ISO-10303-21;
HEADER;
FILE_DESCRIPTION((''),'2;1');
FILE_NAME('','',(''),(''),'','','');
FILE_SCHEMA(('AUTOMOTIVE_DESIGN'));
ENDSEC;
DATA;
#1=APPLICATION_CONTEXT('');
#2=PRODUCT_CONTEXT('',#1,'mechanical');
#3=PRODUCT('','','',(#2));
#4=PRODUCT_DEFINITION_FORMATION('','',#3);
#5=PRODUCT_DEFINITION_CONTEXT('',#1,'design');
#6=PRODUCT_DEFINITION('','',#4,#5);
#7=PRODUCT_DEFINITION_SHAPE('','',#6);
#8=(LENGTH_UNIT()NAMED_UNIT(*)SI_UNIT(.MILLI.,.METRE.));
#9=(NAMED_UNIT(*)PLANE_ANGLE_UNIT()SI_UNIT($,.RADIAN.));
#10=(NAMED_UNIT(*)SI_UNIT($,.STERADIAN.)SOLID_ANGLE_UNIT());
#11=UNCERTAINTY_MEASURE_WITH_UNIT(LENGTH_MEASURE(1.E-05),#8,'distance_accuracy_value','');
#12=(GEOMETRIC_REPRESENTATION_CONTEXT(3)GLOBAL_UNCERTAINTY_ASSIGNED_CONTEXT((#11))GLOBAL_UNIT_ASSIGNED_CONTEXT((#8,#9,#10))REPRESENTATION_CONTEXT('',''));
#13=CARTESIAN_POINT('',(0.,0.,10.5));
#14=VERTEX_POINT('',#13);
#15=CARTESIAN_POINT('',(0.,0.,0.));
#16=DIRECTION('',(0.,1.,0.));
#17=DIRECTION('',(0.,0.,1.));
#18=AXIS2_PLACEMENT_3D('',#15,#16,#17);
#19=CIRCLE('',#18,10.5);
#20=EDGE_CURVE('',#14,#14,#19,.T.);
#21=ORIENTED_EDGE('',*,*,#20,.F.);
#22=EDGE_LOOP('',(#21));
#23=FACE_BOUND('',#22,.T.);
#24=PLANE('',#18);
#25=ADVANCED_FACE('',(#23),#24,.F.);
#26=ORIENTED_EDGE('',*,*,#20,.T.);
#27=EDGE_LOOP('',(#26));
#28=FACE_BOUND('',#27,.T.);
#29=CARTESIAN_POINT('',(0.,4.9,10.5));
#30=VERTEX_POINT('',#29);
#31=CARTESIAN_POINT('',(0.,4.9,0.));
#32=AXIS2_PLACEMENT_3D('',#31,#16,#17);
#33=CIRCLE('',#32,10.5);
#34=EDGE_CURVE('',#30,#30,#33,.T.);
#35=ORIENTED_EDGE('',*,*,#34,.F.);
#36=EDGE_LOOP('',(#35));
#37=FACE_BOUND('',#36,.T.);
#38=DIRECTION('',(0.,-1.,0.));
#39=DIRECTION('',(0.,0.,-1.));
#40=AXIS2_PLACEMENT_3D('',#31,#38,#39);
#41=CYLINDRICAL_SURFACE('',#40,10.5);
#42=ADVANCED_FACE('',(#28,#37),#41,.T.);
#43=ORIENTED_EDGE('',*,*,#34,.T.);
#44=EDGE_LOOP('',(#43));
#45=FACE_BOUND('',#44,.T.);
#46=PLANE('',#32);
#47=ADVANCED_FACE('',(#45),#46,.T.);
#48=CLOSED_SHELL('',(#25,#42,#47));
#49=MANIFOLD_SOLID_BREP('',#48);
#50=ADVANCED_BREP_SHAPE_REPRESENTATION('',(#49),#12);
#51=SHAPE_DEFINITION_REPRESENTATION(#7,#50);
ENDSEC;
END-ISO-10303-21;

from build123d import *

# Parameters (mm, degrees)
SKETCH1_R           = 10.5
BOSS_EXTRUDE1_DEPTH = 4.9


with BuildPart() as part:
    # Sketch1 → Boss-Extrude1 (new body)
    with BuildSketch(Plane(origin=(0, 0, 0), x_dir=(1, 0, 0), z_dir=(0, 1, 0))):
        with Locations(Location((0, 0, 0), (0, 0, 270))):
            Circle(SKETCH1_R)
    extrude(amount=BOSS_EXTRUDE1_DEPTH)


solid = part.part
